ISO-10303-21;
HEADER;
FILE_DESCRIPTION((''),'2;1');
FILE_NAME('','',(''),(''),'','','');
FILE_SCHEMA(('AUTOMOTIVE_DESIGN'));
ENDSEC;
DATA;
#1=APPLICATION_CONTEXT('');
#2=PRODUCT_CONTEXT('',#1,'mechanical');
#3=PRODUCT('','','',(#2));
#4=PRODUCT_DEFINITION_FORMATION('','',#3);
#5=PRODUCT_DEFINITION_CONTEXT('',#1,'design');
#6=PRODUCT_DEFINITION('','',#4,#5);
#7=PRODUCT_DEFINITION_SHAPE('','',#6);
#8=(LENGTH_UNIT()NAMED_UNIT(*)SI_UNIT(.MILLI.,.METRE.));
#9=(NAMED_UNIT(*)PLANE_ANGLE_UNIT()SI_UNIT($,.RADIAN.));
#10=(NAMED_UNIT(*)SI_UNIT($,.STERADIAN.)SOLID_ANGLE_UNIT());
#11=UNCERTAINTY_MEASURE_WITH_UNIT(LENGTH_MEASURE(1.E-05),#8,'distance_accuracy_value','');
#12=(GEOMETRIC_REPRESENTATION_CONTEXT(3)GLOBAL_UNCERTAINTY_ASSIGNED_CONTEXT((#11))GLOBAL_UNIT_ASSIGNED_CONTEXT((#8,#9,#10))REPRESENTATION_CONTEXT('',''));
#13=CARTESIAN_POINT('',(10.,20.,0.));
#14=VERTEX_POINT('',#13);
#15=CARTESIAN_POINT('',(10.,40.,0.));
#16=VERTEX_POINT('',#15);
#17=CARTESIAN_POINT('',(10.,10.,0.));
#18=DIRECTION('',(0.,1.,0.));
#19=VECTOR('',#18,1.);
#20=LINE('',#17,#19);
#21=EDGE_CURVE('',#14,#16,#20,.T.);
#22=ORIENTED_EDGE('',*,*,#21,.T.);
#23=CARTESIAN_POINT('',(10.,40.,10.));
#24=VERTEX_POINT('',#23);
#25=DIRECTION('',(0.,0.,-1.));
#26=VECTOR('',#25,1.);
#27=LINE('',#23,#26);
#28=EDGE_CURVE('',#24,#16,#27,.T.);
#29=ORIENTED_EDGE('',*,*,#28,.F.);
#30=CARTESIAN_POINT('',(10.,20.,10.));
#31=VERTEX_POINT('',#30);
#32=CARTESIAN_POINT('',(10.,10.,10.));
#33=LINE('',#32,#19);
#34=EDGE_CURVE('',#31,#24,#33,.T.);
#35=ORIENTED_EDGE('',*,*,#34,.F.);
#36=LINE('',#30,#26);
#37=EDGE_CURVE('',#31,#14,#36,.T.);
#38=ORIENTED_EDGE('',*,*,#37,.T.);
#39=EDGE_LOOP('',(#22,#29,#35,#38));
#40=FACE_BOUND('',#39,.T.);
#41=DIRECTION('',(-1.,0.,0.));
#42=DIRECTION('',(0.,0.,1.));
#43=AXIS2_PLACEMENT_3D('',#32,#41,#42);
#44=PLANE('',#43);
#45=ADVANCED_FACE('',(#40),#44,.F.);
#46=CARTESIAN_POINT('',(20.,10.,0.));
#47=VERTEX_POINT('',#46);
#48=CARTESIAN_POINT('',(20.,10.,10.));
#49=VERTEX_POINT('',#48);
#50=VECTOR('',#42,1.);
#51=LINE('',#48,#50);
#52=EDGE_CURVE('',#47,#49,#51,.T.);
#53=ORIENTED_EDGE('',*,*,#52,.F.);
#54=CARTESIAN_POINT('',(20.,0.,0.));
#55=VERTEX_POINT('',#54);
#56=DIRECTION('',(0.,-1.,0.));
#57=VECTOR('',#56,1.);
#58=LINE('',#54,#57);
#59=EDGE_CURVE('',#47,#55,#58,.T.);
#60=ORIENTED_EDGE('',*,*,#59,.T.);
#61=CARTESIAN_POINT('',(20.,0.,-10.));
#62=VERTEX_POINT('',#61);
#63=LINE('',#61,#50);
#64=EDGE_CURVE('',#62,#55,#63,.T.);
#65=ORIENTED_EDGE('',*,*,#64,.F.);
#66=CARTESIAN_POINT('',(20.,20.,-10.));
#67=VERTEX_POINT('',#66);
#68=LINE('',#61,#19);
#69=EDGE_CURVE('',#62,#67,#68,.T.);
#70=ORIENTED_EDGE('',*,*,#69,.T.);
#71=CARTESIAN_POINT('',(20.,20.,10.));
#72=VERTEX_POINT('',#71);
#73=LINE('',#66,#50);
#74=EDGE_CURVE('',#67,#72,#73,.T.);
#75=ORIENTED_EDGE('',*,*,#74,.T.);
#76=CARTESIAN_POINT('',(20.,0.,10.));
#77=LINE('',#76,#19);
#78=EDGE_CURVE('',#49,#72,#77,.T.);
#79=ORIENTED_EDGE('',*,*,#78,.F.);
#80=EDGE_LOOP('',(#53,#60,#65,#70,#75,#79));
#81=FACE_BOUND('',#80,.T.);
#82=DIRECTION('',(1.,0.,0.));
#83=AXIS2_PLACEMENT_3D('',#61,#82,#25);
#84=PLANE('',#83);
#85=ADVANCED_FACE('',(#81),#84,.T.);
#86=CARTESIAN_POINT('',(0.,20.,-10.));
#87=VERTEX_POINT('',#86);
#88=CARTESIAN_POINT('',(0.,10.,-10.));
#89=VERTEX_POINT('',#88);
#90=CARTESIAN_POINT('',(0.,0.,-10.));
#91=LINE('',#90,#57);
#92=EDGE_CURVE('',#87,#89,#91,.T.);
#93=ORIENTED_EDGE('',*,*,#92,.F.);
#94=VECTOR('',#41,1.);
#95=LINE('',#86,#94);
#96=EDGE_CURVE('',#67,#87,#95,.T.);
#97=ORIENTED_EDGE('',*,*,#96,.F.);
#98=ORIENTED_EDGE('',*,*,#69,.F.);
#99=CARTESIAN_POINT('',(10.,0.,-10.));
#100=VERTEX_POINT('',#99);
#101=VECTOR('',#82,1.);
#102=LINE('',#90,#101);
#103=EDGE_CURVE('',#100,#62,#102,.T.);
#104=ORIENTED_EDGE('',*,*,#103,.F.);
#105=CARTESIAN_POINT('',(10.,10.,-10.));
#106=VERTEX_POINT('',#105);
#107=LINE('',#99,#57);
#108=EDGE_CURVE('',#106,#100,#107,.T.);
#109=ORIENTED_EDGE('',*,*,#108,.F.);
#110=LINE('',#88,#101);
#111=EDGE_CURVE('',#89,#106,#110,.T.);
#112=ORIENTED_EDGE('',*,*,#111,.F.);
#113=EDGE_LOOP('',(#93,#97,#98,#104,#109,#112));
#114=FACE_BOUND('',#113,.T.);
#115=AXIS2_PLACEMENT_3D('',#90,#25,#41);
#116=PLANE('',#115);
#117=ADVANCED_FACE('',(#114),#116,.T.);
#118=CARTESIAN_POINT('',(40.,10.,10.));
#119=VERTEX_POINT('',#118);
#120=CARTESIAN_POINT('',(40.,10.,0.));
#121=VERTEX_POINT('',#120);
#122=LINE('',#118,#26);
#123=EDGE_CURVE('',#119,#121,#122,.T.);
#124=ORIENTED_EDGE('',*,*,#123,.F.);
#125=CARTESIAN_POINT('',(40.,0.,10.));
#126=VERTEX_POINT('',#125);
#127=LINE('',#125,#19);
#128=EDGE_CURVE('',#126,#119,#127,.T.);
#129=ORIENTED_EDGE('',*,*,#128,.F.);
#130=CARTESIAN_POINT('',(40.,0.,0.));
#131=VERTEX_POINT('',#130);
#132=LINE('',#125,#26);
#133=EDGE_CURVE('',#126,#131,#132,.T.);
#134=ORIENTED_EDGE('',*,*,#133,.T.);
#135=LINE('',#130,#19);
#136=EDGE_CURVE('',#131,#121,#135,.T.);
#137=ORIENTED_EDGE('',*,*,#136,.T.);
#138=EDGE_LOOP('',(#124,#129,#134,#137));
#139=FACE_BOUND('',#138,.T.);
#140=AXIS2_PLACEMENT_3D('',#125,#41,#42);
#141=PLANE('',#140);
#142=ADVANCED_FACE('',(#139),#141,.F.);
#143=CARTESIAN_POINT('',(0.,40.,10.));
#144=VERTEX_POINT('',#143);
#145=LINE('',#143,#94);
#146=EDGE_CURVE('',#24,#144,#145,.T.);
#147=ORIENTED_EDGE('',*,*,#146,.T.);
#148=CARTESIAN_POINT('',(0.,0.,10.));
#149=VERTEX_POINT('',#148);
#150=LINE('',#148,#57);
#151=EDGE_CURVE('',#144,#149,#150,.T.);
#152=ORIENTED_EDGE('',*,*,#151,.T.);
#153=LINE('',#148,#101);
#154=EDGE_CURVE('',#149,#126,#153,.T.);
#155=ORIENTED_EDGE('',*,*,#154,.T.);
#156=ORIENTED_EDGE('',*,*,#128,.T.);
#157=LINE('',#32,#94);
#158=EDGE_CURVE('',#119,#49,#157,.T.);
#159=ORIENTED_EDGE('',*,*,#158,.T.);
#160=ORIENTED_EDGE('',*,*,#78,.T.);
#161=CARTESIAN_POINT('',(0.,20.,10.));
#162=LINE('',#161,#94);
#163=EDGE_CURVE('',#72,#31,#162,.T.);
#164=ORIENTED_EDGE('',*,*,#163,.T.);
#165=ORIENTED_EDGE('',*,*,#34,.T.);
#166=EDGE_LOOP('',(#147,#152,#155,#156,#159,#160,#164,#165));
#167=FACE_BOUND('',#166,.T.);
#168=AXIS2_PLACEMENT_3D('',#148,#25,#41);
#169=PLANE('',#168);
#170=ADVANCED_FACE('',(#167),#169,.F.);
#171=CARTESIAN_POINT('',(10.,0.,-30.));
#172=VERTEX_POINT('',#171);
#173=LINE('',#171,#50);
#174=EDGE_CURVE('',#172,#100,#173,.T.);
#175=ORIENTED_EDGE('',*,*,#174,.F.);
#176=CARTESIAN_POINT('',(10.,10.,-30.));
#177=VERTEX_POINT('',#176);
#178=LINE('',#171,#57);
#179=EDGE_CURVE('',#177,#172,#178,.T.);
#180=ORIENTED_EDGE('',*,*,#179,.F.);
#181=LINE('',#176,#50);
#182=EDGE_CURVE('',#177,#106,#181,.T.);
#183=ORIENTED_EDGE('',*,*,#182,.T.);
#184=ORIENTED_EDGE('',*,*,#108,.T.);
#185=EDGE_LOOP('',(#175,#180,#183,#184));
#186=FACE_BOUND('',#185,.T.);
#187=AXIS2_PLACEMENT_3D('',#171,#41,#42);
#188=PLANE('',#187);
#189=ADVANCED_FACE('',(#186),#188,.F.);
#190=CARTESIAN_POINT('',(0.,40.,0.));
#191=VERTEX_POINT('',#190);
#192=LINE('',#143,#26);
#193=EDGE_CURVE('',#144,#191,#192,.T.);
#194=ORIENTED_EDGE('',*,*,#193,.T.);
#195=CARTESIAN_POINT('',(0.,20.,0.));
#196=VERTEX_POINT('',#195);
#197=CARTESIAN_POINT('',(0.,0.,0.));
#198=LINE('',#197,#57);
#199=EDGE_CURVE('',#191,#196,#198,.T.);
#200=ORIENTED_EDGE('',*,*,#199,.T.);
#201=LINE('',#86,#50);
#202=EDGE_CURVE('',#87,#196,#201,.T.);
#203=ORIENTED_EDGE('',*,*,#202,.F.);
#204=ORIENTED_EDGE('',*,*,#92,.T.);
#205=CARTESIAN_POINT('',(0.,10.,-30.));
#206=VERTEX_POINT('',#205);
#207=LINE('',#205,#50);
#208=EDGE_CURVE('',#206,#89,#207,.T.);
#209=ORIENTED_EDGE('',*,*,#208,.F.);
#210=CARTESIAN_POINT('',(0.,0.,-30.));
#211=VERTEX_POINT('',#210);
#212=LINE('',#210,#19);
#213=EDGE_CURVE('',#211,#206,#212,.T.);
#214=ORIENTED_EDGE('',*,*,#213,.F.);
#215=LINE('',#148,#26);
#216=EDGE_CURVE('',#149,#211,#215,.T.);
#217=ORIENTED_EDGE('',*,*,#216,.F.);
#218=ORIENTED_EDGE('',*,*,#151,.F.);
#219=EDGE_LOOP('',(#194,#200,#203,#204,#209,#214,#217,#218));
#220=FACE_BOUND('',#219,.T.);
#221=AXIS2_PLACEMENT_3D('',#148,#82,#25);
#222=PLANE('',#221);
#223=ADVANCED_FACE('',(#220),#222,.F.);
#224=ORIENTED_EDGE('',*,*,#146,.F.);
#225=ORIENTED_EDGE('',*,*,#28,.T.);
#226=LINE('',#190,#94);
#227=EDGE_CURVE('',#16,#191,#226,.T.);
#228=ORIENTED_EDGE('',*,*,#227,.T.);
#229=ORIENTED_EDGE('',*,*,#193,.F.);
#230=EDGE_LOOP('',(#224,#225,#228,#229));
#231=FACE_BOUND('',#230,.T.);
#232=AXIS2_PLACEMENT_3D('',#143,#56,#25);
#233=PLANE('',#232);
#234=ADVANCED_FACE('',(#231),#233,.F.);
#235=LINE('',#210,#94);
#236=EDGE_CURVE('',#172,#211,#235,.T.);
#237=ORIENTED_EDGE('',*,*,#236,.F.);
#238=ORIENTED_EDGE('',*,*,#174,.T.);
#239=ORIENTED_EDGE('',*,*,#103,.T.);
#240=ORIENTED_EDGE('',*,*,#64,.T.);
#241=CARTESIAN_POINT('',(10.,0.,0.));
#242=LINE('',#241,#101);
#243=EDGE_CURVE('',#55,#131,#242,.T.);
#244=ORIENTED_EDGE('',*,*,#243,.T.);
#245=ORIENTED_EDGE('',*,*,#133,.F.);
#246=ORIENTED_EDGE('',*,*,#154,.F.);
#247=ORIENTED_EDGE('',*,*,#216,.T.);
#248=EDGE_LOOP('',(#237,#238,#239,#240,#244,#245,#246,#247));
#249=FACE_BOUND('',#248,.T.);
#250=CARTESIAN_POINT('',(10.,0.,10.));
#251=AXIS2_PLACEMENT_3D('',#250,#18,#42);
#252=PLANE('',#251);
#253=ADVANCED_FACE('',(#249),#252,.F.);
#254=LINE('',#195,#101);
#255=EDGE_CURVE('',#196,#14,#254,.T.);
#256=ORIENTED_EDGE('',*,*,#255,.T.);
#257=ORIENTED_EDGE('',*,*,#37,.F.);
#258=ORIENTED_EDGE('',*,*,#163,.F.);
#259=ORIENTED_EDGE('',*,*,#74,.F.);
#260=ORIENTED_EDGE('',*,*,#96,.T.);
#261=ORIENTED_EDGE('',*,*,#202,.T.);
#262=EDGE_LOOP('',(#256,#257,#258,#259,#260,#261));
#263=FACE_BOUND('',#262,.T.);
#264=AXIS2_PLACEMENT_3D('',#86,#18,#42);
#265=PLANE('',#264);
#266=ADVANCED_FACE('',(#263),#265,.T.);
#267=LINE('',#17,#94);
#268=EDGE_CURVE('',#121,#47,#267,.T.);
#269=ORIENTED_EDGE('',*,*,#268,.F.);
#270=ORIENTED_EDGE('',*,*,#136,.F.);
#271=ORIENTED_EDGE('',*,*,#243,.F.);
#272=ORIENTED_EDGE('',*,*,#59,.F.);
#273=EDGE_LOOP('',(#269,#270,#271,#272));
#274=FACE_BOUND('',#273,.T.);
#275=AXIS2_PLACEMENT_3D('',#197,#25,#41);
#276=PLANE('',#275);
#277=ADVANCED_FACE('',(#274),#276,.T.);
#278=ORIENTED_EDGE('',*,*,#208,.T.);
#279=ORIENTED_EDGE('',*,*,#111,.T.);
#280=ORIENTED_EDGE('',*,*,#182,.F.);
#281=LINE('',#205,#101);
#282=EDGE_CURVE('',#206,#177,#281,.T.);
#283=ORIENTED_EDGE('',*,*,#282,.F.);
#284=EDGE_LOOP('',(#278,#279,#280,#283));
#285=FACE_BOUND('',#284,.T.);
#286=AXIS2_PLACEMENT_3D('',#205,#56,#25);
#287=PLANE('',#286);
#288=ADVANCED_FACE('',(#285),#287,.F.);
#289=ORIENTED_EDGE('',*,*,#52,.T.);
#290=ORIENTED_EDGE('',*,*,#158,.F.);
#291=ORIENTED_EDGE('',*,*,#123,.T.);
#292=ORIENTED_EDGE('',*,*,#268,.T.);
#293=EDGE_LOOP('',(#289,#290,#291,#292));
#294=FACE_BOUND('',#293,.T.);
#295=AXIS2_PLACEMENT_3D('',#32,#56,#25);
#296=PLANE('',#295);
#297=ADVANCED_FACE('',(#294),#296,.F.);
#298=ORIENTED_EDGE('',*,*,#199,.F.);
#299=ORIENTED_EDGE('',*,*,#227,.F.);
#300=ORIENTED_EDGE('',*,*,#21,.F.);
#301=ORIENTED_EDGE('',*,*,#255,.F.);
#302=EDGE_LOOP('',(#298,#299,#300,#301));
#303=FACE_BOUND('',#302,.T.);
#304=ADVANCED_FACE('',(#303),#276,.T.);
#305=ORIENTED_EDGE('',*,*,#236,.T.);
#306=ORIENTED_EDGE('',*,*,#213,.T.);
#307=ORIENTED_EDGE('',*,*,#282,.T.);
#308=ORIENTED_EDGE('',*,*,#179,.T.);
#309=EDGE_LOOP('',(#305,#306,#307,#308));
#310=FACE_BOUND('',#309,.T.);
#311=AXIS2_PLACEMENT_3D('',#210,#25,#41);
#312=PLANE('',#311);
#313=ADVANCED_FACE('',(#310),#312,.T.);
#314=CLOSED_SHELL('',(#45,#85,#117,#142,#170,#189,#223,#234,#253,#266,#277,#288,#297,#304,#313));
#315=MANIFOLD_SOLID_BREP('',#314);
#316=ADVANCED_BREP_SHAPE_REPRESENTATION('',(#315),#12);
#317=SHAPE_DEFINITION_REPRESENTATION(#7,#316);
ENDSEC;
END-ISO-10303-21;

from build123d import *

# Parameters (mm, degrees)
BOSS_EXTRUDE1_DEPTH = 10
SKETCH2_W           = 10
SKETCH2_H           = 10
BOSS_EXTRUDE2_DEPTH = 30
SKETCH3_W           = 20
SKETCH3_H           = 20
BOSS_EXTRUDE3_DEPTH = 20


with BuildPart() as part:
    # Sketch1 → Boss-Extrude1 (new body)
    with BuildSketch(Plane.XY):
        Polygon((0, 0), (10, 0), (40, 0), (40, 10), (10, 10), (10, 40), (0, 40), align=None)
    extrude(amount=BOSS_EXTRUDE1_DEPTH)

    # Sketch2 → Boss-Extrude2 (add)
    with BuildSketch(Plane(origin=(0, 0, 0), x_dir=(-1, 0, 0), z_dir=(0, 0, -1))):
        with Locations((-5, 5)):
            Rectangle(SKETCH2_W, SKETCH2_H)
    extrude(amount=BOSS_EXTRUDE2_DEPTH)

    # Sketch3 → Boss-Extrude3 (add)
    with BuildSketch(Plane.XY.offset(10)):
        with Locations((10, 10)):
            Rectangle(SKETCH3_W, SKETCH3_H)
    extrude(amount=-BOSS_EXTRUDE3_DEPTH)


solid = part.part
